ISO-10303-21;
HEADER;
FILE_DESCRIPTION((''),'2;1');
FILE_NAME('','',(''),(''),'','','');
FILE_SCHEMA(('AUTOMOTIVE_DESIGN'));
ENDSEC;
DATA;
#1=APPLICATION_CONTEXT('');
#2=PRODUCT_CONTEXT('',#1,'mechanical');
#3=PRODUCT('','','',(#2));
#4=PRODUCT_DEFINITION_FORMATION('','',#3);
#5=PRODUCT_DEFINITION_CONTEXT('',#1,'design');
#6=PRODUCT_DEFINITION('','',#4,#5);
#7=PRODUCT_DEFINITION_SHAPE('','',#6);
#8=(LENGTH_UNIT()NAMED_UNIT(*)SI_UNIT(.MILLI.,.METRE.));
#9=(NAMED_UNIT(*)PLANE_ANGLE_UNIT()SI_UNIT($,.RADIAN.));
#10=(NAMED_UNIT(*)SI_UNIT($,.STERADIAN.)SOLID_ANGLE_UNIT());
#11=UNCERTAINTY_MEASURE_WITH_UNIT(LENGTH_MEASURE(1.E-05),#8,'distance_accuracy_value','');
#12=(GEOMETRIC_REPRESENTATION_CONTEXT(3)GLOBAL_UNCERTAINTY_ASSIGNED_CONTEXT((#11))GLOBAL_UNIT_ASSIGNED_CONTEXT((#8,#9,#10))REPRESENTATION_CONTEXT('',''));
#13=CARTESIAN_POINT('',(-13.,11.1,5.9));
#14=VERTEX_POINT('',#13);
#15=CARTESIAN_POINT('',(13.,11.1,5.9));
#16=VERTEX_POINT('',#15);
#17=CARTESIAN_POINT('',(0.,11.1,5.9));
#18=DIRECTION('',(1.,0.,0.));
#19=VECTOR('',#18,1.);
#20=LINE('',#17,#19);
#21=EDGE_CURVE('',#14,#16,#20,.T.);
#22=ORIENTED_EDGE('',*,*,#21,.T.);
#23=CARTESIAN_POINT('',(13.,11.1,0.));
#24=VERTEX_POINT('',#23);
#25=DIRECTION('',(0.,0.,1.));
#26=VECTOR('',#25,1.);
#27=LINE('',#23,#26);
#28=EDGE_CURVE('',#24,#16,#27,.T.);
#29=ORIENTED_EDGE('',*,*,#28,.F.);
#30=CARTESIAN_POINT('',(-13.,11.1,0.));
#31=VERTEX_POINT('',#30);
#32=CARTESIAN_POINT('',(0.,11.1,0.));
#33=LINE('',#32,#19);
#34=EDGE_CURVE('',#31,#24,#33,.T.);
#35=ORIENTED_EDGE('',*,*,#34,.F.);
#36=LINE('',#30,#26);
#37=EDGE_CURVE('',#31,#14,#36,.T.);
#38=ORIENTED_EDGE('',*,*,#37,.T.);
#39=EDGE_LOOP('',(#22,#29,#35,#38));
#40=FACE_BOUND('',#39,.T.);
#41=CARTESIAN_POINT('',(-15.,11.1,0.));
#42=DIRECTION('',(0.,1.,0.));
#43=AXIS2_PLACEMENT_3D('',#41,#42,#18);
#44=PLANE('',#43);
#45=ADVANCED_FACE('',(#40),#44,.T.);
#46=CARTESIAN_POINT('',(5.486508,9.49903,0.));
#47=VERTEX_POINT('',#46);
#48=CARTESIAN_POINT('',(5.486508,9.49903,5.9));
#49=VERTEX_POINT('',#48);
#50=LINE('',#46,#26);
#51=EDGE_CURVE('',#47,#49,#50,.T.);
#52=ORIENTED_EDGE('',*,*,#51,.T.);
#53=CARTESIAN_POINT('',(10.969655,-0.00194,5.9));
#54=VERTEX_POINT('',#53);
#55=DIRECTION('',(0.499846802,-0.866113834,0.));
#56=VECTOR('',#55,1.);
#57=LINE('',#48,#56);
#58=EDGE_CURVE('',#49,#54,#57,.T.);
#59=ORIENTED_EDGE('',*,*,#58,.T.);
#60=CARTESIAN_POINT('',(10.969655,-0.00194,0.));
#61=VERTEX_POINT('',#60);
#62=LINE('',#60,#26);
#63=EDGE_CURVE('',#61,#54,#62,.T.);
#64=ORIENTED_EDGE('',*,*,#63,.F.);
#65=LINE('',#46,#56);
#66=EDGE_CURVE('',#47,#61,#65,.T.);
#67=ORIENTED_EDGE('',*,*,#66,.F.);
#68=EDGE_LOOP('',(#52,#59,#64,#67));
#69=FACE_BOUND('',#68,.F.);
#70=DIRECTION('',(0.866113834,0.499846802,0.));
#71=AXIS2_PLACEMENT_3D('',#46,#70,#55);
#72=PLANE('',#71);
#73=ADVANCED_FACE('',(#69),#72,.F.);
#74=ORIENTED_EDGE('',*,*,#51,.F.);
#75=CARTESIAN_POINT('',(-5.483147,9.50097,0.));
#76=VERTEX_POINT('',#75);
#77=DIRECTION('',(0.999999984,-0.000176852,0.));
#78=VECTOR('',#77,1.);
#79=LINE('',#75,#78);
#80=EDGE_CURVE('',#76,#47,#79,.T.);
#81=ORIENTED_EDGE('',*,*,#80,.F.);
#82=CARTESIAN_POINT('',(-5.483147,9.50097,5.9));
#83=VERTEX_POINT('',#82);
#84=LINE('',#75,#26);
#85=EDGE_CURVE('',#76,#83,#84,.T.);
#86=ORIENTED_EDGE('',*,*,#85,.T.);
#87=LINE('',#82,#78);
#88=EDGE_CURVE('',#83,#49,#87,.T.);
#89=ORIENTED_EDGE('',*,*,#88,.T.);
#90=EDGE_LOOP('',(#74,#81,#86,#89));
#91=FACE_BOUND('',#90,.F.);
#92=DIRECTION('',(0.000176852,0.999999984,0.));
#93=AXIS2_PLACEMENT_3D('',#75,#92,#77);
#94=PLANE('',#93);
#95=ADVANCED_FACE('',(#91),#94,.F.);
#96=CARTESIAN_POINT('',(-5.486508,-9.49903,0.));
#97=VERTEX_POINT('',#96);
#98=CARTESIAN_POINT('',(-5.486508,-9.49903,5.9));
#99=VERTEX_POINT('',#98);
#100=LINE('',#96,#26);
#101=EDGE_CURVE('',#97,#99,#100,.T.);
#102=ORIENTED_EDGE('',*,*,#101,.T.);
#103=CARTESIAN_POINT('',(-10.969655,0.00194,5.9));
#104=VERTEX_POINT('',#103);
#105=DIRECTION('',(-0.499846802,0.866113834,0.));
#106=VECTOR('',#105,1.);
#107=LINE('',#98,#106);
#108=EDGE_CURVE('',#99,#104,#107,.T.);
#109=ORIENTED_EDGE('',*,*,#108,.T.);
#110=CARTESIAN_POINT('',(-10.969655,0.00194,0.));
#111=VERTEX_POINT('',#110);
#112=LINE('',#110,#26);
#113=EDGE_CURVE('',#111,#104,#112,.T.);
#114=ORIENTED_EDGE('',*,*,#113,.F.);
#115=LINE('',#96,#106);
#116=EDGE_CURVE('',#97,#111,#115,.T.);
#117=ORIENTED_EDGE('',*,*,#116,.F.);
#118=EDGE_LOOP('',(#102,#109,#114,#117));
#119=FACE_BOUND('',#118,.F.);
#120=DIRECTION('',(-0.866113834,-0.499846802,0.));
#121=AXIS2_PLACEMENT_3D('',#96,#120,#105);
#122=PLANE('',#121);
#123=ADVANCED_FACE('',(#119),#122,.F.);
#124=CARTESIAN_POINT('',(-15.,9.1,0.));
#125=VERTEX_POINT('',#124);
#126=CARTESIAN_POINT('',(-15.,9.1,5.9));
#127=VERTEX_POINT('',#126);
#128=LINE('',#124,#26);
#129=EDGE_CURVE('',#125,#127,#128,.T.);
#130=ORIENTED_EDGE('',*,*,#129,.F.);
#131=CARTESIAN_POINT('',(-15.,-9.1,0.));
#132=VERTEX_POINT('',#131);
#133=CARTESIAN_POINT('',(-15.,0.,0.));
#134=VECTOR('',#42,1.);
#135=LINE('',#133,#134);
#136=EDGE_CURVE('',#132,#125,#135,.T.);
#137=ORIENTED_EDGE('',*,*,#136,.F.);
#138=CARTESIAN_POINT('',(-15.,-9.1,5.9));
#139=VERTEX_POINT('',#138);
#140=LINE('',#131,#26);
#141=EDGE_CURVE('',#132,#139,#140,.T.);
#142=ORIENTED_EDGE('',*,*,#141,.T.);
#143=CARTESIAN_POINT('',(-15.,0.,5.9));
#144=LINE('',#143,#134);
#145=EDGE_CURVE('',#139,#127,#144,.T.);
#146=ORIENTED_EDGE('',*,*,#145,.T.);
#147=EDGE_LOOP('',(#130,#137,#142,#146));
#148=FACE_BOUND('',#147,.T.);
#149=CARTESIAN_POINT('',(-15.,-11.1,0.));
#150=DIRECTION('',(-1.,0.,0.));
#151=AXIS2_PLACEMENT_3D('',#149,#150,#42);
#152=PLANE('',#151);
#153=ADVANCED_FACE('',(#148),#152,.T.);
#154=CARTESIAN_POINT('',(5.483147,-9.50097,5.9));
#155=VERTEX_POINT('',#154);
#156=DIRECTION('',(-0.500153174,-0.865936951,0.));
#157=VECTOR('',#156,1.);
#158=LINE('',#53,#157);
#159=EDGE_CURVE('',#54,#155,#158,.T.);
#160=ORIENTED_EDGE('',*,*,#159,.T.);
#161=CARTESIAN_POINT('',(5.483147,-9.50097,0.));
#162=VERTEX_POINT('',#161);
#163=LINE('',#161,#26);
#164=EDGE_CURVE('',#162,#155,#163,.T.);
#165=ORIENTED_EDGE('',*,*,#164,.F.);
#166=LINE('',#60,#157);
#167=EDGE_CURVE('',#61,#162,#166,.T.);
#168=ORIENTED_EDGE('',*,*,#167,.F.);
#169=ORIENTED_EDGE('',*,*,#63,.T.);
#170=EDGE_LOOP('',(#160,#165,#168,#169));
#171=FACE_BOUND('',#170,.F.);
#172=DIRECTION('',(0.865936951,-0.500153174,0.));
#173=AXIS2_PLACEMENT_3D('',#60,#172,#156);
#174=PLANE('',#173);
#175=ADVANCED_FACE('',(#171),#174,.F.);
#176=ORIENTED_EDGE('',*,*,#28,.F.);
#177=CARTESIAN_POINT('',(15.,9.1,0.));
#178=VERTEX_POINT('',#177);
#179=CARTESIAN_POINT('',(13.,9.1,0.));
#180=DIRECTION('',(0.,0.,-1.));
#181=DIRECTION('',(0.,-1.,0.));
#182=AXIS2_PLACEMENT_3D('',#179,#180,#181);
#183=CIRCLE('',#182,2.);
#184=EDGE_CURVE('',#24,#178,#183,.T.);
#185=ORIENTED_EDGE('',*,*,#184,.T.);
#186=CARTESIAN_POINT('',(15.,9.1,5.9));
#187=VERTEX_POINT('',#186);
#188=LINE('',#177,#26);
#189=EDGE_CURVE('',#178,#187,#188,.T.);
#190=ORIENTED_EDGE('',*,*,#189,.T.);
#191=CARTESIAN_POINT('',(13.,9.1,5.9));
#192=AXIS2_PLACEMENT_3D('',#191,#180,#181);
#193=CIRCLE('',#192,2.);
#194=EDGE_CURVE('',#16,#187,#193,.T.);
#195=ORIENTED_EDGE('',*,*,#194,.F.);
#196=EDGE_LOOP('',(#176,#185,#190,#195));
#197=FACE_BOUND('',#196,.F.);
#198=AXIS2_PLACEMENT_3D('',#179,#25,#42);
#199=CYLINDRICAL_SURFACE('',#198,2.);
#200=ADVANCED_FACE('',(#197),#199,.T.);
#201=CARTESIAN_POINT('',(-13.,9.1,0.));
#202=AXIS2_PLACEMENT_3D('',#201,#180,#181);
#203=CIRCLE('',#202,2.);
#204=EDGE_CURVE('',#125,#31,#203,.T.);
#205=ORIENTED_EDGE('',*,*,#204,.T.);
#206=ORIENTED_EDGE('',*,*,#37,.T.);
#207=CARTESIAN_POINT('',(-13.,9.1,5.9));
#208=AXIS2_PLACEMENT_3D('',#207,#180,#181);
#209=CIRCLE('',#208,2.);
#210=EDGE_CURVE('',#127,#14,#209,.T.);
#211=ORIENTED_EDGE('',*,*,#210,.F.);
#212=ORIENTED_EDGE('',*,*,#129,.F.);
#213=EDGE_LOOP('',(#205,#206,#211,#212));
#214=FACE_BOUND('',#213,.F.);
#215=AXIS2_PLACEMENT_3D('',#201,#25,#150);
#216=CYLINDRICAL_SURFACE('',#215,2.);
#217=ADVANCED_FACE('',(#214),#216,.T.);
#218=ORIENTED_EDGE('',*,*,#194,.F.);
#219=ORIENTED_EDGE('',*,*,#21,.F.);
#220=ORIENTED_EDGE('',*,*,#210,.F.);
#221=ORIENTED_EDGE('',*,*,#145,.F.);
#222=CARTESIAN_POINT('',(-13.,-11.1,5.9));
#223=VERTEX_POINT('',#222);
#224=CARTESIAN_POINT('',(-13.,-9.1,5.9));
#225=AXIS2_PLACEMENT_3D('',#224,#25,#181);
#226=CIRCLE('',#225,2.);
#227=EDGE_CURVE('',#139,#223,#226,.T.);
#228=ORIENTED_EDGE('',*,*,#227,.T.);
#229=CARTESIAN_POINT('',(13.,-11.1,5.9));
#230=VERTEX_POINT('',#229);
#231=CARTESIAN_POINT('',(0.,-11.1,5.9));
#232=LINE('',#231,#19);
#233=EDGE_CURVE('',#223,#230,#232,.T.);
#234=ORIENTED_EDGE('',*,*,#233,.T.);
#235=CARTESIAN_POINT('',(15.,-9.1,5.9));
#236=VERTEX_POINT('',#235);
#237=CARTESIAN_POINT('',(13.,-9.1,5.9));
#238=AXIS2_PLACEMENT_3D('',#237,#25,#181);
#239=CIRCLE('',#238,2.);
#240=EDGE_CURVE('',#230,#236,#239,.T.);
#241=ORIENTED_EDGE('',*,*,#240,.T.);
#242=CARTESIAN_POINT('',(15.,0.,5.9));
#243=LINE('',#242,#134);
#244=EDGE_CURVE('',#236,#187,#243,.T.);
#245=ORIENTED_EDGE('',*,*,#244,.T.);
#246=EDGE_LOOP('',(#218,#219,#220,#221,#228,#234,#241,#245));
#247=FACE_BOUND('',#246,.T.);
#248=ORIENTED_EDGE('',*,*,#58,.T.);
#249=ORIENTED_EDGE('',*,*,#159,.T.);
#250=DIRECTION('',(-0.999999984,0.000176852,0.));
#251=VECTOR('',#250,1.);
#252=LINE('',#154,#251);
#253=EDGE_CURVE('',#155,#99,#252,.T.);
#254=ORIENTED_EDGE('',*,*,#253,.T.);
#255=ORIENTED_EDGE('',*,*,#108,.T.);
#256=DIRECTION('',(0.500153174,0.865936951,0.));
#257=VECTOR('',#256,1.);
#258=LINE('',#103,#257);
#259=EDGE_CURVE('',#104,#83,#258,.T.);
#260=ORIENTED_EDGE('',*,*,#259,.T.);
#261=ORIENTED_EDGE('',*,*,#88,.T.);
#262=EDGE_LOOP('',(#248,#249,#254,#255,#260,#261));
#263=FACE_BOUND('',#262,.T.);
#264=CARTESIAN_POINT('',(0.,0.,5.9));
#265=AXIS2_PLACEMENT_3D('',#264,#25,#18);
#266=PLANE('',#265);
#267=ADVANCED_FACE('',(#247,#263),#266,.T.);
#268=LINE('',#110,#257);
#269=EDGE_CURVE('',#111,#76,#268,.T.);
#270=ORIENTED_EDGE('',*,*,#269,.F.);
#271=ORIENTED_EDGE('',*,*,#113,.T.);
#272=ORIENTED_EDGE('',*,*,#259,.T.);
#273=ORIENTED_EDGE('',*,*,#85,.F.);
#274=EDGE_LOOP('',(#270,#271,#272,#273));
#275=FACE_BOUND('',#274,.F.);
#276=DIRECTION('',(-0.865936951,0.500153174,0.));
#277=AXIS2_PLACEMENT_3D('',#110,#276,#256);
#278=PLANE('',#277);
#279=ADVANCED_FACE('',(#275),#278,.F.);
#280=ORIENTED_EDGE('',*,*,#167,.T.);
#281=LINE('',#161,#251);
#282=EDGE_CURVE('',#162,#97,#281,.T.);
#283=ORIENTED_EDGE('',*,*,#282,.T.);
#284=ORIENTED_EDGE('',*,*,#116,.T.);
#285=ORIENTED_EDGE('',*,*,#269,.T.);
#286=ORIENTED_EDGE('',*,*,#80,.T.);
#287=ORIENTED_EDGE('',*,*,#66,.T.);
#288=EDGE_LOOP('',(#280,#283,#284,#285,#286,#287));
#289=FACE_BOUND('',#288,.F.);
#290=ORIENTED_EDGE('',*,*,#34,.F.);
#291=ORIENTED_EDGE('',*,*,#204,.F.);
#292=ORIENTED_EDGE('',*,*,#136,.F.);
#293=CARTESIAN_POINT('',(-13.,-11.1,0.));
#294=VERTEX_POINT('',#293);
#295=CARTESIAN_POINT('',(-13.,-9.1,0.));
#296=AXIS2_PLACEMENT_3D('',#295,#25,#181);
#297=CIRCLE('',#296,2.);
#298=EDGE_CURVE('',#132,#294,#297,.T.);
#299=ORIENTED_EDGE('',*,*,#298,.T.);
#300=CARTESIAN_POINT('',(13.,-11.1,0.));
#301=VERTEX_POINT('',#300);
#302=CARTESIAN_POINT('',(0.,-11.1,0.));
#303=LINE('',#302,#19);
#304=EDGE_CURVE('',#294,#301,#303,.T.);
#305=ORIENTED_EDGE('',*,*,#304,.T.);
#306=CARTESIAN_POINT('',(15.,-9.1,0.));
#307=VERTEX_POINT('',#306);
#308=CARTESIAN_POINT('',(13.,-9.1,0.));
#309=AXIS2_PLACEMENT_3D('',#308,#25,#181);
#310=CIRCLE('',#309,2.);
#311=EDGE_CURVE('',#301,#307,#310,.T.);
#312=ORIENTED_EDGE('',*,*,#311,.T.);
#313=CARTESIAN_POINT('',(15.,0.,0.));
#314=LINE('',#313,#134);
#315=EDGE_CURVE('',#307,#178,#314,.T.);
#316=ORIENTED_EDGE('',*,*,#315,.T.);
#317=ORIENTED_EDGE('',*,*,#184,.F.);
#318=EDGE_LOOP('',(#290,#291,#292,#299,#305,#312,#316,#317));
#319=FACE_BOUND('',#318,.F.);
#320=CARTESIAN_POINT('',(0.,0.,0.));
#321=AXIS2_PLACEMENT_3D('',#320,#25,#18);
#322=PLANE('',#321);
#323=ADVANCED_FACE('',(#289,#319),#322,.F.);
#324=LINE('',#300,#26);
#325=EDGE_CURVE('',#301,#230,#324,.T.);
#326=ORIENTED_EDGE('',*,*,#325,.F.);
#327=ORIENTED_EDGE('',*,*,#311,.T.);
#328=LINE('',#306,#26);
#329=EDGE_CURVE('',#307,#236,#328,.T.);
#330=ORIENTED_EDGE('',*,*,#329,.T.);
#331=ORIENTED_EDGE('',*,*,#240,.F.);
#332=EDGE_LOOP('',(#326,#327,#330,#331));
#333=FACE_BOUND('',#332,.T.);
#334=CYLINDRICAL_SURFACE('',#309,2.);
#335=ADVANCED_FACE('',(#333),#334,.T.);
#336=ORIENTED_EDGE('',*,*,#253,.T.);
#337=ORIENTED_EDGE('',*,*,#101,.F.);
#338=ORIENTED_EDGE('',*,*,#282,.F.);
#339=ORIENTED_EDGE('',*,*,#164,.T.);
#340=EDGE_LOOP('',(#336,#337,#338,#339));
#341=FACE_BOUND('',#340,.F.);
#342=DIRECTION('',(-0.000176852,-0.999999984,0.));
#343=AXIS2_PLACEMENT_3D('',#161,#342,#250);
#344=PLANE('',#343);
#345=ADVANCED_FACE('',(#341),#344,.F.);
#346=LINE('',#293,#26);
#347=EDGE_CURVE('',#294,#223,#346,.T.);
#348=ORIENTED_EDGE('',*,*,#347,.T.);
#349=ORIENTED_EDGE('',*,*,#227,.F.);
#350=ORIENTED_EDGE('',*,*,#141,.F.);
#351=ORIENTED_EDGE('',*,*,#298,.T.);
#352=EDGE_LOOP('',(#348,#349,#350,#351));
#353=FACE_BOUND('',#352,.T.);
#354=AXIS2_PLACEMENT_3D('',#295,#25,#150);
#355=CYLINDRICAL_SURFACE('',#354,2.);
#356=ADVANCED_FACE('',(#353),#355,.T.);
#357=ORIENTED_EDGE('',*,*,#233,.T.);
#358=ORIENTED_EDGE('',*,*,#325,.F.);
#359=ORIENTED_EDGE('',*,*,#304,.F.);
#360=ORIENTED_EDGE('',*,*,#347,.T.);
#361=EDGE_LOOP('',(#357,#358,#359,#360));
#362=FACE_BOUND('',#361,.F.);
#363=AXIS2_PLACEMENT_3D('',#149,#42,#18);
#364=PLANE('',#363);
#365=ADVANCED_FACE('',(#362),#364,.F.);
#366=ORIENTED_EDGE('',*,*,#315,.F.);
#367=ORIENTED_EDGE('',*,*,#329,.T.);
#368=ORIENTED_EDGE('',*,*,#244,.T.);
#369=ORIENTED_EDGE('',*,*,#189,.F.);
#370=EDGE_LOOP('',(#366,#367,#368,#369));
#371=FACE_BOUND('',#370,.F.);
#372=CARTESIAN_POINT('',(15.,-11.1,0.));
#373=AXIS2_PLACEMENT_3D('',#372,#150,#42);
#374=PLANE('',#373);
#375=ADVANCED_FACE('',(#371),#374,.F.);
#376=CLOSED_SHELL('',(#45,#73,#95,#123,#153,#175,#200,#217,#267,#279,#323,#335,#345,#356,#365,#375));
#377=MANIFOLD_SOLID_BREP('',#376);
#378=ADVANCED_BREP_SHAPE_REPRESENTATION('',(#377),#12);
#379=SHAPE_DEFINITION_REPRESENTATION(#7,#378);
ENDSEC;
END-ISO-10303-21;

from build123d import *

# Parameters (mm, degrees)
F0_W     = 30
F0_H     = 22.2
F1_DEPTH = 5.9
F2_R     = 2


with BuildPart() as f1:
    # F0 (on Top) → F1 (new body)
    with BuildSketch(Plane.XY):
        Rectangle(F0_W, F0_H)
        Polygon((-5.483147, 9.50097), (5.486508, 9.49903), (10.969655, -0.00194), (5.483147, -9.50097), (-5.486508, -9.49903), (-10.969655, 0.00194), align=None, mode=Mode.SUBTRACT)
    extrude(amount=F1_DEPTH)

    # F2
    f2_edges = [f1.edges().sort_by_distance(p)[0] for p in [
        (15, 11.1, 2.95),
        (15, -11.1, 2.95),
        (-15, 11.1, 2.95),
        (-15, -11.1, 2.95),
    ]]
    fillet(f2_edges, radius=F2_R)


solid = f1.part
